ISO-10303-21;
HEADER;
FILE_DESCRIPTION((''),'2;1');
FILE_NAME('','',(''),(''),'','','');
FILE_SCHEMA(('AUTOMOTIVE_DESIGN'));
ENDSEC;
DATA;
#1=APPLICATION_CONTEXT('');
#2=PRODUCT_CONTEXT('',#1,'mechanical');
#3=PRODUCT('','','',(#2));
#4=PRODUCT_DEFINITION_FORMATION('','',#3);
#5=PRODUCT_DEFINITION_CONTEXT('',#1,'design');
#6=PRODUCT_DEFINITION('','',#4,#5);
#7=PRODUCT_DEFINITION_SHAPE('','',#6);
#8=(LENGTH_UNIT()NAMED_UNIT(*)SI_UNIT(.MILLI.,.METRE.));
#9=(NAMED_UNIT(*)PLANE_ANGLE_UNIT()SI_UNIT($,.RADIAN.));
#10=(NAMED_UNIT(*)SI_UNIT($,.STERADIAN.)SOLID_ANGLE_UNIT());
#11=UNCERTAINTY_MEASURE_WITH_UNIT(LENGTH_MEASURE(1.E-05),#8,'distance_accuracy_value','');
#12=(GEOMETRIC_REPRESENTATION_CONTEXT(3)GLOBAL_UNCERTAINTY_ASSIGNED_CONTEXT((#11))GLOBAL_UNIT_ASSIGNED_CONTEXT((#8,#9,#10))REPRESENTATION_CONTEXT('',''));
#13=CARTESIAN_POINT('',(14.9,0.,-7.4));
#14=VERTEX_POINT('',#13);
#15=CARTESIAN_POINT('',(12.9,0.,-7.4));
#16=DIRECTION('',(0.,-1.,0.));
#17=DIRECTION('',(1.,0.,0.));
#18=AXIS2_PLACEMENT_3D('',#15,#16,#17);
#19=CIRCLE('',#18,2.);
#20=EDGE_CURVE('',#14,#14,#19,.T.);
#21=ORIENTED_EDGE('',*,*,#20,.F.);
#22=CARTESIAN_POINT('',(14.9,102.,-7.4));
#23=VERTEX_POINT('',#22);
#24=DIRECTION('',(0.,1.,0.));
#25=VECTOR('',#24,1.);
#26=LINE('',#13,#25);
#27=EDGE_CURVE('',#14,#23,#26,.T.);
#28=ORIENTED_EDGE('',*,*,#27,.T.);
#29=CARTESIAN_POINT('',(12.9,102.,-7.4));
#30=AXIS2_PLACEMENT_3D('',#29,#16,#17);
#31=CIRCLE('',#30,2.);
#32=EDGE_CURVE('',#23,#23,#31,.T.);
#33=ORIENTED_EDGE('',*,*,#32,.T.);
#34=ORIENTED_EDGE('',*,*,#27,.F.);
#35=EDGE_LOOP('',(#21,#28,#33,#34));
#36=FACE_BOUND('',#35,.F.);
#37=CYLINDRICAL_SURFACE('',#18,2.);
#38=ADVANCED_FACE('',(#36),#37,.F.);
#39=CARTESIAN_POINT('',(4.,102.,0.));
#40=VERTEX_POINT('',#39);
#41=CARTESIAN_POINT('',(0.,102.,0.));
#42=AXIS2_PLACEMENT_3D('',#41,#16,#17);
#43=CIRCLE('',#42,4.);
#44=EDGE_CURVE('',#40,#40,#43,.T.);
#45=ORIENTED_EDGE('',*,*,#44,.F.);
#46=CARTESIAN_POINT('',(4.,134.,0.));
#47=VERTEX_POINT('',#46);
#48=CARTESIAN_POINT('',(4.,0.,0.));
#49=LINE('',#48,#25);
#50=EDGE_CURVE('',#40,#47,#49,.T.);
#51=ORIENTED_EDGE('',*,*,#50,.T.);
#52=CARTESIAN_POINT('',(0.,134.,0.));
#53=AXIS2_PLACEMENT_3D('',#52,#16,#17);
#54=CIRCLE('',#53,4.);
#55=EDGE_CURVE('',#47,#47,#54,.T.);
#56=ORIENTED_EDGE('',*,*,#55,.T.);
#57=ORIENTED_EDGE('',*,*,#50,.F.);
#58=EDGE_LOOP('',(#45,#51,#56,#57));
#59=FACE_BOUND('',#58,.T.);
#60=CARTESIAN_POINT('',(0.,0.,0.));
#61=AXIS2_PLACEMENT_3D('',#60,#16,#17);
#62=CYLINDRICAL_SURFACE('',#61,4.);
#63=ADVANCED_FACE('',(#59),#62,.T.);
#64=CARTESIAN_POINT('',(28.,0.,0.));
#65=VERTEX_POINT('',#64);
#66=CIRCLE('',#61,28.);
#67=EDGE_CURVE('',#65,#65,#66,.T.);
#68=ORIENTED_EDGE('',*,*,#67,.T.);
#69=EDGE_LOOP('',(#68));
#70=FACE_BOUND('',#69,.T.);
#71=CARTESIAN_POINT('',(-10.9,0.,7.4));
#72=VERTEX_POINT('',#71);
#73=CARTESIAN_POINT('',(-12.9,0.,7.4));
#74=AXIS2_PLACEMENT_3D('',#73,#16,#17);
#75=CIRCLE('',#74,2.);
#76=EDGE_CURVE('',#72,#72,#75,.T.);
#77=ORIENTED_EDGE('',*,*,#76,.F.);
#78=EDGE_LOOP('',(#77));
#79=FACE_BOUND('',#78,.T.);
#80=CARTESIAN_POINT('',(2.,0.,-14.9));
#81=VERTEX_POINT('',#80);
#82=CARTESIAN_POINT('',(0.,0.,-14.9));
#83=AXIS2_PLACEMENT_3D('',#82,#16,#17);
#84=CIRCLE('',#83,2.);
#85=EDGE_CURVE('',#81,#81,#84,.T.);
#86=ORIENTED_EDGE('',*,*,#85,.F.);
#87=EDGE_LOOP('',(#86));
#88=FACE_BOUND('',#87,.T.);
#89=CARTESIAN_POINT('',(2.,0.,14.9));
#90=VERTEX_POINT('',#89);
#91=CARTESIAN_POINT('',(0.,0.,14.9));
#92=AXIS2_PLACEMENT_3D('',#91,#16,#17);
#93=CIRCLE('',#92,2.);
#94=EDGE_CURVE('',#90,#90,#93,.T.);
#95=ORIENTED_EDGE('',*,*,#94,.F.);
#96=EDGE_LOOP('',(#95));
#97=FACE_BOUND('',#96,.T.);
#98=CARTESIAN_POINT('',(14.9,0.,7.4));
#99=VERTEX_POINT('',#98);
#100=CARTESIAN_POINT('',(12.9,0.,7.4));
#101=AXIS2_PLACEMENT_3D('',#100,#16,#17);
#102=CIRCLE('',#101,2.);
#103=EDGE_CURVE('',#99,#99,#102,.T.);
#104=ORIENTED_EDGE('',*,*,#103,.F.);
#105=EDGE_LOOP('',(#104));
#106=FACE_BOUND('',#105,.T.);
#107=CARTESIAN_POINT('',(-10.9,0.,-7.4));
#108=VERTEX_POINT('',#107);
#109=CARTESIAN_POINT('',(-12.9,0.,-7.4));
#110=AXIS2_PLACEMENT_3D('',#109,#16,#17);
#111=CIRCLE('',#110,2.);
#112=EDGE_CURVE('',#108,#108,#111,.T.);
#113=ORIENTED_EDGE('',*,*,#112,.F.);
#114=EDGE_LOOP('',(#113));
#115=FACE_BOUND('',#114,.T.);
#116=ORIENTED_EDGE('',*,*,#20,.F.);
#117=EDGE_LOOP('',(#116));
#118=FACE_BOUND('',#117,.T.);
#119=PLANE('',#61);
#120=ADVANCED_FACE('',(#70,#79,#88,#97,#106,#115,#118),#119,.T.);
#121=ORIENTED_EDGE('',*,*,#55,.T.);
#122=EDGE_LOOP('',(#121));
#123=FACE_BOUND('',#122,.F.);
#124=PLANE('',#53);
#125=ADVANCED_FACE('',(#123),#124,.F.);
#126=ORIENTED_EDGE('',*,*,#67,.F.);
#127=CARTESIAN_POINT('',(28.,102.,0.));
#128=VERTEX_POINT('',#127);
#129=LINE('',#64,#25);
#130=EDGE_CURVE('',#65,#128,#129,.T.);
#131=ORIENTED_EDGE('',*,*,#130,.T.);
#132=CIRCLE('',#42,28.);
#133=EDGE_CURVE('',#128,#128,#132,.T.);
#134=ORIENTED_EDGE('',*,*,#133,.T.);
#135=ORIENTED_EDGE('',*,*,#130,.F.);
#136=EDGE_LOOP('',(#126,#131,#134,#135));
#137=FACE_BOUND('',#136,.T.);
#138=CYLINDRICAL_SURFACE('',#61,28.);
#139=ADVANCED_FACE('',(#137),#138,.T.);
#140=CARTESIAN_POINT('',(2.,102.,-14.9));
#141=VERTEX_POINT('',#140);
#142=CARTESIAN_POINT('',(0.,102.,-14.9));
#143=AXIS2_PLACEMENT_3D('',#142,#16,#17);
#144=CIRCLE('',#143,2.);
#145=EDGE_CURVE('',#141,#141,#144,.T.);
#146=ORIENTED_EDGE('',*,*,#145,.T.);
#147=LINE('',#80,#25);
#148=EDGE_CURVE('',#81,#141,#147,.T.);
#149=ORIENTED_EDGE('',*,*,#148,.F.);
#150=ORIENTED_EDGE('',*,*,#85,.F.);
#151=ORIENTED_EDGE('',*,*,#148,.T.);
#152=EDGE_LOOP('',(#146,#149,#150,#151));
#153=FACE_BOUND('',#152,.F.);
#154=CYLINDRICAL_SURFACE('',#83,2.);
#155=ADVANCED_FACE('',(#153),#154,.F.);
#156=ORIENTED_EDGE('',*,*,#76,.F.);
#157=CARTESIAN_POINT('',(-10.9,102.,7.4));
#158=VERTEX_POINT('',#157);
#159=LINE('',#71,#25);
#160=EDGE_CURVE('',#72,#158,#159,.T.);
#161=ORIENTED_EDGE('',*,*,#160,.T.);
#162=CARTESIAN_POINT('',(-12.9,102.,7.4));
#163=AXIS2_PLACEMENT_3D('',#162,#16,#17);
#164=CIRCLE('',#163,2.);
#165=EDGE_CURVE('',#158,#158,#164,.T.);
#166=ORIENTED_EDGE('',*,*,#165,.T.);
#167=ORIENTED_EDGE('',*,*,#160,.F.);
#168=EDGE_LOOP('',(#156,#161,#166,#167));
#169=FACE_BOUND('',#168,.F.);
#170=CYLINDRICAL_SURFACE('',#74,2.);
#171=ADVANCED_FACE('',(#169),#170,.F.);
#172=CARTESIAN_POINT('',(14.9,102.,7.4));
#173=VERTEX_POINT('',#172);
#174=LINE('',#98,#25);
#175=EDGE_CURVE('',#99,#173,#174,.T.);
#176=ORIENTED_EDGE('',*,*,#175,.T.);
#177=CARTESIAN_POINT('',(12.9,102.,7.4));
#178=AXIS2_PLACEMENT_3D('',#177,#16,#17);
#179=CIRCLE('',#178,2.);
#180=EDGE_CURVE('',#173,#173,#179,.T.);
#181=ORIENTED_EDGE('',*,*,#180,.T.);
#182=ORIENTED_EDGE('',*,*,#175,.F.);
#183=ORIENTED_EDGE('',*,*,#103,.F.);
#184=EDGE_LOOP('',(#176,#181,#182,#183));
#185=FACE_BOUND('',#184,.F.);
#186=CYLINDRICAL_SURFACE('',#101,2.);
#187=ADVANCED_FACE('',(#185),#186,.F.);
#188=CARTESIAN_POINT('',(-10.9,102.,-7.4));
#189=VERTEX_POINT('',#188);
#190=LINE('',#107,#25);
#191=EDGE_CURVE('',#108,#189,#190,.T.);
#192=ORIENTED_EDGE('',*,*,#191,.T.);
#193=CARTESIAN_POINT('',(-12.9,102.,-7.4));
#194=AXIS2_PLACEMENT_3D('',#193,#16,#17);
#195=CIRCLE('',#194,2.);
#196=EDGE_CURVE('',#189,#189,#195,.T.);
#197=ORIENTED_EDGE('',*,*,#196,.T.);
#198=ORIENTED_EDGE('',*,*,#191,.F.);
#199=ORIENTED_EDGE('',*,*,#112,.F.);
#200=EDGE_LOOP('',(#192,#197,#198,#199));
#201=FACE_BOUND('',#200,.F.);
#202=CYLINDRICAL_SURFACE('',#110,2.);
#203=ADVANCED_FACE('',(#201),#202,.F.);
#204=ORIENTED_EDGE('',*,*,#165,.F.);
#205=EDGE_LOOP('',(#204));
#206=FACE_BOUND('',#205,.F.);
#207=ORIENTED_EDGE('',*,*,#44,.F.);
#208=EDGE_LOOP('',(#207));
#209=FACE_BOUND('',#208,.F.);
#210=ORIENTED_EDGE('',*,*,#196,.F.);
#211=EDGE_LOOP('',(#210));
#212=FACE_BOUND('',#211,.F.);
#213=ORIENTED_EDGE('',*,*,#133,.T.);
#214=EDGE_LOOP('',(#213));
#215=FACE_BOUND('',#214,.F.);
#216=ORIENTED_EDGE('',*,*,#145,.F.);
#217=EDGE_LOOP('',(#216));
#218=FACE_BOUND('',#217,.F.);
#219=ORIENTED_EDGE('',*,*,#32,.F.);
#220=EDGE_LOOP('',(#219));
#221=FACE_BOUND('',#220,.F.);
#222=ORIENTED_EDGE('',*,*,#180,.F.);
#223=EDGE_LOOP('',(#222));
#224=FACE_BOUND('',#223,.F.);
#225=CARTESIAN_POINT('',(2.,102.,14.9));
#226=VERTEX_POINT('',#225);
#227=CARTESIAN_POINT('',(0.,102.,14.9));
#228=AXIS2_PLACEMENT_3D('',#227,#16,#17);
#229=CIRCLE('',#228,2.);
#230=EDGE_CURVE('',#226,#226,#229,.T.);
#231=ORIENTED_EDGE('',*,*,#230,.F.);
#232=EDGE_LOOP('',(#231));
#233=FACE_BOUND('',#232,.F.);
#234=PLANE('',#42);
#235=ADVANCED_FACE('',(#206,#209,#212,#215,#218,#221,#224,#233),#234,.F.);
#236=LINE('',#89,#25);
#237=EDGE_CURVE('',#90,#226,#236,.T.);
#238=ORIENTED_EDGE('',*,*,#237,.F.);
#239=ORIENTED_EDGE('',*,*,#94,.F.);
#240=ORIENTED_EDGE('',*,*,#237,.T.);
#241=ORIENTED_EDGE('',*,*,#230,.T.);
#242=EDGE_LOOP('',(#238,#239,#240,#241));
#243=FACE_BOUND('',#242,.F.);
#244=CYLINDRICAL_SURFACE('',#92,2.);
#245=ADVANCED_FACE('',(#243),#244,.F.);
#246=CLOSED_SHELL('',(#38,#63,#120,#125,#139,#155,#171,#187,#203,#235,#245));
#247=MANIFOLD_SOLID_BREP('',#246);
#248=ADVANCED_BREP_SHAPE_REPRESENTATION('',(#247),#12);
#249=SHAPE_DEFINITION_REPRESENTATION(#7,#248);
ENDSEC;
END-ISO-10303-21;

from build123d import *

# Parameters (mm, degrees)
F0_R     = 4
F1_DEPTH = 134
F0_R_2   = 28
F0_R_3   = 2
F2_DEPTH = 102


with BuildPart() as f1:
    # F0 (on Front) → F1 (new body)
    with BuildSketch(Plane.XZ):
        Circle(F0_R)
    extrude(amount=-F1_DEPTH)

    # F0 (on Front) → F2 (join)
    with BuildSketch(Plane.XZ):
        Circle(F0_R_2)
        with Locations((-12.9, -7.4)):
            Circle(F0_R_3, mode=Mode.SUBTRACT)
        with Locations((0, -14.9)):
            Circle(F0_R_3, mode=Mode.SUBTRACT)
        with Locations((12.9, -7.4)):
            Circle(F0_R_3, mode=Mode.SUBTRACT)
        with Locations((-12.9, 7.4)):
            Circle(F0_R_3, mode=Mode.SUBTRACT)
        Circle(F0_R, mode=Mode.SUBTRACT)
        with Locations((12.9, 7.4)):
            Circle(F0_R_3, mode=Mode.SUBTRACT)
        with Locations((0, 14.9)):
            Circle(F0_R_3, mode=Mode.SUBTRACT)
    extrude(amount=-F2_DEPTH)


solid = f1.part
